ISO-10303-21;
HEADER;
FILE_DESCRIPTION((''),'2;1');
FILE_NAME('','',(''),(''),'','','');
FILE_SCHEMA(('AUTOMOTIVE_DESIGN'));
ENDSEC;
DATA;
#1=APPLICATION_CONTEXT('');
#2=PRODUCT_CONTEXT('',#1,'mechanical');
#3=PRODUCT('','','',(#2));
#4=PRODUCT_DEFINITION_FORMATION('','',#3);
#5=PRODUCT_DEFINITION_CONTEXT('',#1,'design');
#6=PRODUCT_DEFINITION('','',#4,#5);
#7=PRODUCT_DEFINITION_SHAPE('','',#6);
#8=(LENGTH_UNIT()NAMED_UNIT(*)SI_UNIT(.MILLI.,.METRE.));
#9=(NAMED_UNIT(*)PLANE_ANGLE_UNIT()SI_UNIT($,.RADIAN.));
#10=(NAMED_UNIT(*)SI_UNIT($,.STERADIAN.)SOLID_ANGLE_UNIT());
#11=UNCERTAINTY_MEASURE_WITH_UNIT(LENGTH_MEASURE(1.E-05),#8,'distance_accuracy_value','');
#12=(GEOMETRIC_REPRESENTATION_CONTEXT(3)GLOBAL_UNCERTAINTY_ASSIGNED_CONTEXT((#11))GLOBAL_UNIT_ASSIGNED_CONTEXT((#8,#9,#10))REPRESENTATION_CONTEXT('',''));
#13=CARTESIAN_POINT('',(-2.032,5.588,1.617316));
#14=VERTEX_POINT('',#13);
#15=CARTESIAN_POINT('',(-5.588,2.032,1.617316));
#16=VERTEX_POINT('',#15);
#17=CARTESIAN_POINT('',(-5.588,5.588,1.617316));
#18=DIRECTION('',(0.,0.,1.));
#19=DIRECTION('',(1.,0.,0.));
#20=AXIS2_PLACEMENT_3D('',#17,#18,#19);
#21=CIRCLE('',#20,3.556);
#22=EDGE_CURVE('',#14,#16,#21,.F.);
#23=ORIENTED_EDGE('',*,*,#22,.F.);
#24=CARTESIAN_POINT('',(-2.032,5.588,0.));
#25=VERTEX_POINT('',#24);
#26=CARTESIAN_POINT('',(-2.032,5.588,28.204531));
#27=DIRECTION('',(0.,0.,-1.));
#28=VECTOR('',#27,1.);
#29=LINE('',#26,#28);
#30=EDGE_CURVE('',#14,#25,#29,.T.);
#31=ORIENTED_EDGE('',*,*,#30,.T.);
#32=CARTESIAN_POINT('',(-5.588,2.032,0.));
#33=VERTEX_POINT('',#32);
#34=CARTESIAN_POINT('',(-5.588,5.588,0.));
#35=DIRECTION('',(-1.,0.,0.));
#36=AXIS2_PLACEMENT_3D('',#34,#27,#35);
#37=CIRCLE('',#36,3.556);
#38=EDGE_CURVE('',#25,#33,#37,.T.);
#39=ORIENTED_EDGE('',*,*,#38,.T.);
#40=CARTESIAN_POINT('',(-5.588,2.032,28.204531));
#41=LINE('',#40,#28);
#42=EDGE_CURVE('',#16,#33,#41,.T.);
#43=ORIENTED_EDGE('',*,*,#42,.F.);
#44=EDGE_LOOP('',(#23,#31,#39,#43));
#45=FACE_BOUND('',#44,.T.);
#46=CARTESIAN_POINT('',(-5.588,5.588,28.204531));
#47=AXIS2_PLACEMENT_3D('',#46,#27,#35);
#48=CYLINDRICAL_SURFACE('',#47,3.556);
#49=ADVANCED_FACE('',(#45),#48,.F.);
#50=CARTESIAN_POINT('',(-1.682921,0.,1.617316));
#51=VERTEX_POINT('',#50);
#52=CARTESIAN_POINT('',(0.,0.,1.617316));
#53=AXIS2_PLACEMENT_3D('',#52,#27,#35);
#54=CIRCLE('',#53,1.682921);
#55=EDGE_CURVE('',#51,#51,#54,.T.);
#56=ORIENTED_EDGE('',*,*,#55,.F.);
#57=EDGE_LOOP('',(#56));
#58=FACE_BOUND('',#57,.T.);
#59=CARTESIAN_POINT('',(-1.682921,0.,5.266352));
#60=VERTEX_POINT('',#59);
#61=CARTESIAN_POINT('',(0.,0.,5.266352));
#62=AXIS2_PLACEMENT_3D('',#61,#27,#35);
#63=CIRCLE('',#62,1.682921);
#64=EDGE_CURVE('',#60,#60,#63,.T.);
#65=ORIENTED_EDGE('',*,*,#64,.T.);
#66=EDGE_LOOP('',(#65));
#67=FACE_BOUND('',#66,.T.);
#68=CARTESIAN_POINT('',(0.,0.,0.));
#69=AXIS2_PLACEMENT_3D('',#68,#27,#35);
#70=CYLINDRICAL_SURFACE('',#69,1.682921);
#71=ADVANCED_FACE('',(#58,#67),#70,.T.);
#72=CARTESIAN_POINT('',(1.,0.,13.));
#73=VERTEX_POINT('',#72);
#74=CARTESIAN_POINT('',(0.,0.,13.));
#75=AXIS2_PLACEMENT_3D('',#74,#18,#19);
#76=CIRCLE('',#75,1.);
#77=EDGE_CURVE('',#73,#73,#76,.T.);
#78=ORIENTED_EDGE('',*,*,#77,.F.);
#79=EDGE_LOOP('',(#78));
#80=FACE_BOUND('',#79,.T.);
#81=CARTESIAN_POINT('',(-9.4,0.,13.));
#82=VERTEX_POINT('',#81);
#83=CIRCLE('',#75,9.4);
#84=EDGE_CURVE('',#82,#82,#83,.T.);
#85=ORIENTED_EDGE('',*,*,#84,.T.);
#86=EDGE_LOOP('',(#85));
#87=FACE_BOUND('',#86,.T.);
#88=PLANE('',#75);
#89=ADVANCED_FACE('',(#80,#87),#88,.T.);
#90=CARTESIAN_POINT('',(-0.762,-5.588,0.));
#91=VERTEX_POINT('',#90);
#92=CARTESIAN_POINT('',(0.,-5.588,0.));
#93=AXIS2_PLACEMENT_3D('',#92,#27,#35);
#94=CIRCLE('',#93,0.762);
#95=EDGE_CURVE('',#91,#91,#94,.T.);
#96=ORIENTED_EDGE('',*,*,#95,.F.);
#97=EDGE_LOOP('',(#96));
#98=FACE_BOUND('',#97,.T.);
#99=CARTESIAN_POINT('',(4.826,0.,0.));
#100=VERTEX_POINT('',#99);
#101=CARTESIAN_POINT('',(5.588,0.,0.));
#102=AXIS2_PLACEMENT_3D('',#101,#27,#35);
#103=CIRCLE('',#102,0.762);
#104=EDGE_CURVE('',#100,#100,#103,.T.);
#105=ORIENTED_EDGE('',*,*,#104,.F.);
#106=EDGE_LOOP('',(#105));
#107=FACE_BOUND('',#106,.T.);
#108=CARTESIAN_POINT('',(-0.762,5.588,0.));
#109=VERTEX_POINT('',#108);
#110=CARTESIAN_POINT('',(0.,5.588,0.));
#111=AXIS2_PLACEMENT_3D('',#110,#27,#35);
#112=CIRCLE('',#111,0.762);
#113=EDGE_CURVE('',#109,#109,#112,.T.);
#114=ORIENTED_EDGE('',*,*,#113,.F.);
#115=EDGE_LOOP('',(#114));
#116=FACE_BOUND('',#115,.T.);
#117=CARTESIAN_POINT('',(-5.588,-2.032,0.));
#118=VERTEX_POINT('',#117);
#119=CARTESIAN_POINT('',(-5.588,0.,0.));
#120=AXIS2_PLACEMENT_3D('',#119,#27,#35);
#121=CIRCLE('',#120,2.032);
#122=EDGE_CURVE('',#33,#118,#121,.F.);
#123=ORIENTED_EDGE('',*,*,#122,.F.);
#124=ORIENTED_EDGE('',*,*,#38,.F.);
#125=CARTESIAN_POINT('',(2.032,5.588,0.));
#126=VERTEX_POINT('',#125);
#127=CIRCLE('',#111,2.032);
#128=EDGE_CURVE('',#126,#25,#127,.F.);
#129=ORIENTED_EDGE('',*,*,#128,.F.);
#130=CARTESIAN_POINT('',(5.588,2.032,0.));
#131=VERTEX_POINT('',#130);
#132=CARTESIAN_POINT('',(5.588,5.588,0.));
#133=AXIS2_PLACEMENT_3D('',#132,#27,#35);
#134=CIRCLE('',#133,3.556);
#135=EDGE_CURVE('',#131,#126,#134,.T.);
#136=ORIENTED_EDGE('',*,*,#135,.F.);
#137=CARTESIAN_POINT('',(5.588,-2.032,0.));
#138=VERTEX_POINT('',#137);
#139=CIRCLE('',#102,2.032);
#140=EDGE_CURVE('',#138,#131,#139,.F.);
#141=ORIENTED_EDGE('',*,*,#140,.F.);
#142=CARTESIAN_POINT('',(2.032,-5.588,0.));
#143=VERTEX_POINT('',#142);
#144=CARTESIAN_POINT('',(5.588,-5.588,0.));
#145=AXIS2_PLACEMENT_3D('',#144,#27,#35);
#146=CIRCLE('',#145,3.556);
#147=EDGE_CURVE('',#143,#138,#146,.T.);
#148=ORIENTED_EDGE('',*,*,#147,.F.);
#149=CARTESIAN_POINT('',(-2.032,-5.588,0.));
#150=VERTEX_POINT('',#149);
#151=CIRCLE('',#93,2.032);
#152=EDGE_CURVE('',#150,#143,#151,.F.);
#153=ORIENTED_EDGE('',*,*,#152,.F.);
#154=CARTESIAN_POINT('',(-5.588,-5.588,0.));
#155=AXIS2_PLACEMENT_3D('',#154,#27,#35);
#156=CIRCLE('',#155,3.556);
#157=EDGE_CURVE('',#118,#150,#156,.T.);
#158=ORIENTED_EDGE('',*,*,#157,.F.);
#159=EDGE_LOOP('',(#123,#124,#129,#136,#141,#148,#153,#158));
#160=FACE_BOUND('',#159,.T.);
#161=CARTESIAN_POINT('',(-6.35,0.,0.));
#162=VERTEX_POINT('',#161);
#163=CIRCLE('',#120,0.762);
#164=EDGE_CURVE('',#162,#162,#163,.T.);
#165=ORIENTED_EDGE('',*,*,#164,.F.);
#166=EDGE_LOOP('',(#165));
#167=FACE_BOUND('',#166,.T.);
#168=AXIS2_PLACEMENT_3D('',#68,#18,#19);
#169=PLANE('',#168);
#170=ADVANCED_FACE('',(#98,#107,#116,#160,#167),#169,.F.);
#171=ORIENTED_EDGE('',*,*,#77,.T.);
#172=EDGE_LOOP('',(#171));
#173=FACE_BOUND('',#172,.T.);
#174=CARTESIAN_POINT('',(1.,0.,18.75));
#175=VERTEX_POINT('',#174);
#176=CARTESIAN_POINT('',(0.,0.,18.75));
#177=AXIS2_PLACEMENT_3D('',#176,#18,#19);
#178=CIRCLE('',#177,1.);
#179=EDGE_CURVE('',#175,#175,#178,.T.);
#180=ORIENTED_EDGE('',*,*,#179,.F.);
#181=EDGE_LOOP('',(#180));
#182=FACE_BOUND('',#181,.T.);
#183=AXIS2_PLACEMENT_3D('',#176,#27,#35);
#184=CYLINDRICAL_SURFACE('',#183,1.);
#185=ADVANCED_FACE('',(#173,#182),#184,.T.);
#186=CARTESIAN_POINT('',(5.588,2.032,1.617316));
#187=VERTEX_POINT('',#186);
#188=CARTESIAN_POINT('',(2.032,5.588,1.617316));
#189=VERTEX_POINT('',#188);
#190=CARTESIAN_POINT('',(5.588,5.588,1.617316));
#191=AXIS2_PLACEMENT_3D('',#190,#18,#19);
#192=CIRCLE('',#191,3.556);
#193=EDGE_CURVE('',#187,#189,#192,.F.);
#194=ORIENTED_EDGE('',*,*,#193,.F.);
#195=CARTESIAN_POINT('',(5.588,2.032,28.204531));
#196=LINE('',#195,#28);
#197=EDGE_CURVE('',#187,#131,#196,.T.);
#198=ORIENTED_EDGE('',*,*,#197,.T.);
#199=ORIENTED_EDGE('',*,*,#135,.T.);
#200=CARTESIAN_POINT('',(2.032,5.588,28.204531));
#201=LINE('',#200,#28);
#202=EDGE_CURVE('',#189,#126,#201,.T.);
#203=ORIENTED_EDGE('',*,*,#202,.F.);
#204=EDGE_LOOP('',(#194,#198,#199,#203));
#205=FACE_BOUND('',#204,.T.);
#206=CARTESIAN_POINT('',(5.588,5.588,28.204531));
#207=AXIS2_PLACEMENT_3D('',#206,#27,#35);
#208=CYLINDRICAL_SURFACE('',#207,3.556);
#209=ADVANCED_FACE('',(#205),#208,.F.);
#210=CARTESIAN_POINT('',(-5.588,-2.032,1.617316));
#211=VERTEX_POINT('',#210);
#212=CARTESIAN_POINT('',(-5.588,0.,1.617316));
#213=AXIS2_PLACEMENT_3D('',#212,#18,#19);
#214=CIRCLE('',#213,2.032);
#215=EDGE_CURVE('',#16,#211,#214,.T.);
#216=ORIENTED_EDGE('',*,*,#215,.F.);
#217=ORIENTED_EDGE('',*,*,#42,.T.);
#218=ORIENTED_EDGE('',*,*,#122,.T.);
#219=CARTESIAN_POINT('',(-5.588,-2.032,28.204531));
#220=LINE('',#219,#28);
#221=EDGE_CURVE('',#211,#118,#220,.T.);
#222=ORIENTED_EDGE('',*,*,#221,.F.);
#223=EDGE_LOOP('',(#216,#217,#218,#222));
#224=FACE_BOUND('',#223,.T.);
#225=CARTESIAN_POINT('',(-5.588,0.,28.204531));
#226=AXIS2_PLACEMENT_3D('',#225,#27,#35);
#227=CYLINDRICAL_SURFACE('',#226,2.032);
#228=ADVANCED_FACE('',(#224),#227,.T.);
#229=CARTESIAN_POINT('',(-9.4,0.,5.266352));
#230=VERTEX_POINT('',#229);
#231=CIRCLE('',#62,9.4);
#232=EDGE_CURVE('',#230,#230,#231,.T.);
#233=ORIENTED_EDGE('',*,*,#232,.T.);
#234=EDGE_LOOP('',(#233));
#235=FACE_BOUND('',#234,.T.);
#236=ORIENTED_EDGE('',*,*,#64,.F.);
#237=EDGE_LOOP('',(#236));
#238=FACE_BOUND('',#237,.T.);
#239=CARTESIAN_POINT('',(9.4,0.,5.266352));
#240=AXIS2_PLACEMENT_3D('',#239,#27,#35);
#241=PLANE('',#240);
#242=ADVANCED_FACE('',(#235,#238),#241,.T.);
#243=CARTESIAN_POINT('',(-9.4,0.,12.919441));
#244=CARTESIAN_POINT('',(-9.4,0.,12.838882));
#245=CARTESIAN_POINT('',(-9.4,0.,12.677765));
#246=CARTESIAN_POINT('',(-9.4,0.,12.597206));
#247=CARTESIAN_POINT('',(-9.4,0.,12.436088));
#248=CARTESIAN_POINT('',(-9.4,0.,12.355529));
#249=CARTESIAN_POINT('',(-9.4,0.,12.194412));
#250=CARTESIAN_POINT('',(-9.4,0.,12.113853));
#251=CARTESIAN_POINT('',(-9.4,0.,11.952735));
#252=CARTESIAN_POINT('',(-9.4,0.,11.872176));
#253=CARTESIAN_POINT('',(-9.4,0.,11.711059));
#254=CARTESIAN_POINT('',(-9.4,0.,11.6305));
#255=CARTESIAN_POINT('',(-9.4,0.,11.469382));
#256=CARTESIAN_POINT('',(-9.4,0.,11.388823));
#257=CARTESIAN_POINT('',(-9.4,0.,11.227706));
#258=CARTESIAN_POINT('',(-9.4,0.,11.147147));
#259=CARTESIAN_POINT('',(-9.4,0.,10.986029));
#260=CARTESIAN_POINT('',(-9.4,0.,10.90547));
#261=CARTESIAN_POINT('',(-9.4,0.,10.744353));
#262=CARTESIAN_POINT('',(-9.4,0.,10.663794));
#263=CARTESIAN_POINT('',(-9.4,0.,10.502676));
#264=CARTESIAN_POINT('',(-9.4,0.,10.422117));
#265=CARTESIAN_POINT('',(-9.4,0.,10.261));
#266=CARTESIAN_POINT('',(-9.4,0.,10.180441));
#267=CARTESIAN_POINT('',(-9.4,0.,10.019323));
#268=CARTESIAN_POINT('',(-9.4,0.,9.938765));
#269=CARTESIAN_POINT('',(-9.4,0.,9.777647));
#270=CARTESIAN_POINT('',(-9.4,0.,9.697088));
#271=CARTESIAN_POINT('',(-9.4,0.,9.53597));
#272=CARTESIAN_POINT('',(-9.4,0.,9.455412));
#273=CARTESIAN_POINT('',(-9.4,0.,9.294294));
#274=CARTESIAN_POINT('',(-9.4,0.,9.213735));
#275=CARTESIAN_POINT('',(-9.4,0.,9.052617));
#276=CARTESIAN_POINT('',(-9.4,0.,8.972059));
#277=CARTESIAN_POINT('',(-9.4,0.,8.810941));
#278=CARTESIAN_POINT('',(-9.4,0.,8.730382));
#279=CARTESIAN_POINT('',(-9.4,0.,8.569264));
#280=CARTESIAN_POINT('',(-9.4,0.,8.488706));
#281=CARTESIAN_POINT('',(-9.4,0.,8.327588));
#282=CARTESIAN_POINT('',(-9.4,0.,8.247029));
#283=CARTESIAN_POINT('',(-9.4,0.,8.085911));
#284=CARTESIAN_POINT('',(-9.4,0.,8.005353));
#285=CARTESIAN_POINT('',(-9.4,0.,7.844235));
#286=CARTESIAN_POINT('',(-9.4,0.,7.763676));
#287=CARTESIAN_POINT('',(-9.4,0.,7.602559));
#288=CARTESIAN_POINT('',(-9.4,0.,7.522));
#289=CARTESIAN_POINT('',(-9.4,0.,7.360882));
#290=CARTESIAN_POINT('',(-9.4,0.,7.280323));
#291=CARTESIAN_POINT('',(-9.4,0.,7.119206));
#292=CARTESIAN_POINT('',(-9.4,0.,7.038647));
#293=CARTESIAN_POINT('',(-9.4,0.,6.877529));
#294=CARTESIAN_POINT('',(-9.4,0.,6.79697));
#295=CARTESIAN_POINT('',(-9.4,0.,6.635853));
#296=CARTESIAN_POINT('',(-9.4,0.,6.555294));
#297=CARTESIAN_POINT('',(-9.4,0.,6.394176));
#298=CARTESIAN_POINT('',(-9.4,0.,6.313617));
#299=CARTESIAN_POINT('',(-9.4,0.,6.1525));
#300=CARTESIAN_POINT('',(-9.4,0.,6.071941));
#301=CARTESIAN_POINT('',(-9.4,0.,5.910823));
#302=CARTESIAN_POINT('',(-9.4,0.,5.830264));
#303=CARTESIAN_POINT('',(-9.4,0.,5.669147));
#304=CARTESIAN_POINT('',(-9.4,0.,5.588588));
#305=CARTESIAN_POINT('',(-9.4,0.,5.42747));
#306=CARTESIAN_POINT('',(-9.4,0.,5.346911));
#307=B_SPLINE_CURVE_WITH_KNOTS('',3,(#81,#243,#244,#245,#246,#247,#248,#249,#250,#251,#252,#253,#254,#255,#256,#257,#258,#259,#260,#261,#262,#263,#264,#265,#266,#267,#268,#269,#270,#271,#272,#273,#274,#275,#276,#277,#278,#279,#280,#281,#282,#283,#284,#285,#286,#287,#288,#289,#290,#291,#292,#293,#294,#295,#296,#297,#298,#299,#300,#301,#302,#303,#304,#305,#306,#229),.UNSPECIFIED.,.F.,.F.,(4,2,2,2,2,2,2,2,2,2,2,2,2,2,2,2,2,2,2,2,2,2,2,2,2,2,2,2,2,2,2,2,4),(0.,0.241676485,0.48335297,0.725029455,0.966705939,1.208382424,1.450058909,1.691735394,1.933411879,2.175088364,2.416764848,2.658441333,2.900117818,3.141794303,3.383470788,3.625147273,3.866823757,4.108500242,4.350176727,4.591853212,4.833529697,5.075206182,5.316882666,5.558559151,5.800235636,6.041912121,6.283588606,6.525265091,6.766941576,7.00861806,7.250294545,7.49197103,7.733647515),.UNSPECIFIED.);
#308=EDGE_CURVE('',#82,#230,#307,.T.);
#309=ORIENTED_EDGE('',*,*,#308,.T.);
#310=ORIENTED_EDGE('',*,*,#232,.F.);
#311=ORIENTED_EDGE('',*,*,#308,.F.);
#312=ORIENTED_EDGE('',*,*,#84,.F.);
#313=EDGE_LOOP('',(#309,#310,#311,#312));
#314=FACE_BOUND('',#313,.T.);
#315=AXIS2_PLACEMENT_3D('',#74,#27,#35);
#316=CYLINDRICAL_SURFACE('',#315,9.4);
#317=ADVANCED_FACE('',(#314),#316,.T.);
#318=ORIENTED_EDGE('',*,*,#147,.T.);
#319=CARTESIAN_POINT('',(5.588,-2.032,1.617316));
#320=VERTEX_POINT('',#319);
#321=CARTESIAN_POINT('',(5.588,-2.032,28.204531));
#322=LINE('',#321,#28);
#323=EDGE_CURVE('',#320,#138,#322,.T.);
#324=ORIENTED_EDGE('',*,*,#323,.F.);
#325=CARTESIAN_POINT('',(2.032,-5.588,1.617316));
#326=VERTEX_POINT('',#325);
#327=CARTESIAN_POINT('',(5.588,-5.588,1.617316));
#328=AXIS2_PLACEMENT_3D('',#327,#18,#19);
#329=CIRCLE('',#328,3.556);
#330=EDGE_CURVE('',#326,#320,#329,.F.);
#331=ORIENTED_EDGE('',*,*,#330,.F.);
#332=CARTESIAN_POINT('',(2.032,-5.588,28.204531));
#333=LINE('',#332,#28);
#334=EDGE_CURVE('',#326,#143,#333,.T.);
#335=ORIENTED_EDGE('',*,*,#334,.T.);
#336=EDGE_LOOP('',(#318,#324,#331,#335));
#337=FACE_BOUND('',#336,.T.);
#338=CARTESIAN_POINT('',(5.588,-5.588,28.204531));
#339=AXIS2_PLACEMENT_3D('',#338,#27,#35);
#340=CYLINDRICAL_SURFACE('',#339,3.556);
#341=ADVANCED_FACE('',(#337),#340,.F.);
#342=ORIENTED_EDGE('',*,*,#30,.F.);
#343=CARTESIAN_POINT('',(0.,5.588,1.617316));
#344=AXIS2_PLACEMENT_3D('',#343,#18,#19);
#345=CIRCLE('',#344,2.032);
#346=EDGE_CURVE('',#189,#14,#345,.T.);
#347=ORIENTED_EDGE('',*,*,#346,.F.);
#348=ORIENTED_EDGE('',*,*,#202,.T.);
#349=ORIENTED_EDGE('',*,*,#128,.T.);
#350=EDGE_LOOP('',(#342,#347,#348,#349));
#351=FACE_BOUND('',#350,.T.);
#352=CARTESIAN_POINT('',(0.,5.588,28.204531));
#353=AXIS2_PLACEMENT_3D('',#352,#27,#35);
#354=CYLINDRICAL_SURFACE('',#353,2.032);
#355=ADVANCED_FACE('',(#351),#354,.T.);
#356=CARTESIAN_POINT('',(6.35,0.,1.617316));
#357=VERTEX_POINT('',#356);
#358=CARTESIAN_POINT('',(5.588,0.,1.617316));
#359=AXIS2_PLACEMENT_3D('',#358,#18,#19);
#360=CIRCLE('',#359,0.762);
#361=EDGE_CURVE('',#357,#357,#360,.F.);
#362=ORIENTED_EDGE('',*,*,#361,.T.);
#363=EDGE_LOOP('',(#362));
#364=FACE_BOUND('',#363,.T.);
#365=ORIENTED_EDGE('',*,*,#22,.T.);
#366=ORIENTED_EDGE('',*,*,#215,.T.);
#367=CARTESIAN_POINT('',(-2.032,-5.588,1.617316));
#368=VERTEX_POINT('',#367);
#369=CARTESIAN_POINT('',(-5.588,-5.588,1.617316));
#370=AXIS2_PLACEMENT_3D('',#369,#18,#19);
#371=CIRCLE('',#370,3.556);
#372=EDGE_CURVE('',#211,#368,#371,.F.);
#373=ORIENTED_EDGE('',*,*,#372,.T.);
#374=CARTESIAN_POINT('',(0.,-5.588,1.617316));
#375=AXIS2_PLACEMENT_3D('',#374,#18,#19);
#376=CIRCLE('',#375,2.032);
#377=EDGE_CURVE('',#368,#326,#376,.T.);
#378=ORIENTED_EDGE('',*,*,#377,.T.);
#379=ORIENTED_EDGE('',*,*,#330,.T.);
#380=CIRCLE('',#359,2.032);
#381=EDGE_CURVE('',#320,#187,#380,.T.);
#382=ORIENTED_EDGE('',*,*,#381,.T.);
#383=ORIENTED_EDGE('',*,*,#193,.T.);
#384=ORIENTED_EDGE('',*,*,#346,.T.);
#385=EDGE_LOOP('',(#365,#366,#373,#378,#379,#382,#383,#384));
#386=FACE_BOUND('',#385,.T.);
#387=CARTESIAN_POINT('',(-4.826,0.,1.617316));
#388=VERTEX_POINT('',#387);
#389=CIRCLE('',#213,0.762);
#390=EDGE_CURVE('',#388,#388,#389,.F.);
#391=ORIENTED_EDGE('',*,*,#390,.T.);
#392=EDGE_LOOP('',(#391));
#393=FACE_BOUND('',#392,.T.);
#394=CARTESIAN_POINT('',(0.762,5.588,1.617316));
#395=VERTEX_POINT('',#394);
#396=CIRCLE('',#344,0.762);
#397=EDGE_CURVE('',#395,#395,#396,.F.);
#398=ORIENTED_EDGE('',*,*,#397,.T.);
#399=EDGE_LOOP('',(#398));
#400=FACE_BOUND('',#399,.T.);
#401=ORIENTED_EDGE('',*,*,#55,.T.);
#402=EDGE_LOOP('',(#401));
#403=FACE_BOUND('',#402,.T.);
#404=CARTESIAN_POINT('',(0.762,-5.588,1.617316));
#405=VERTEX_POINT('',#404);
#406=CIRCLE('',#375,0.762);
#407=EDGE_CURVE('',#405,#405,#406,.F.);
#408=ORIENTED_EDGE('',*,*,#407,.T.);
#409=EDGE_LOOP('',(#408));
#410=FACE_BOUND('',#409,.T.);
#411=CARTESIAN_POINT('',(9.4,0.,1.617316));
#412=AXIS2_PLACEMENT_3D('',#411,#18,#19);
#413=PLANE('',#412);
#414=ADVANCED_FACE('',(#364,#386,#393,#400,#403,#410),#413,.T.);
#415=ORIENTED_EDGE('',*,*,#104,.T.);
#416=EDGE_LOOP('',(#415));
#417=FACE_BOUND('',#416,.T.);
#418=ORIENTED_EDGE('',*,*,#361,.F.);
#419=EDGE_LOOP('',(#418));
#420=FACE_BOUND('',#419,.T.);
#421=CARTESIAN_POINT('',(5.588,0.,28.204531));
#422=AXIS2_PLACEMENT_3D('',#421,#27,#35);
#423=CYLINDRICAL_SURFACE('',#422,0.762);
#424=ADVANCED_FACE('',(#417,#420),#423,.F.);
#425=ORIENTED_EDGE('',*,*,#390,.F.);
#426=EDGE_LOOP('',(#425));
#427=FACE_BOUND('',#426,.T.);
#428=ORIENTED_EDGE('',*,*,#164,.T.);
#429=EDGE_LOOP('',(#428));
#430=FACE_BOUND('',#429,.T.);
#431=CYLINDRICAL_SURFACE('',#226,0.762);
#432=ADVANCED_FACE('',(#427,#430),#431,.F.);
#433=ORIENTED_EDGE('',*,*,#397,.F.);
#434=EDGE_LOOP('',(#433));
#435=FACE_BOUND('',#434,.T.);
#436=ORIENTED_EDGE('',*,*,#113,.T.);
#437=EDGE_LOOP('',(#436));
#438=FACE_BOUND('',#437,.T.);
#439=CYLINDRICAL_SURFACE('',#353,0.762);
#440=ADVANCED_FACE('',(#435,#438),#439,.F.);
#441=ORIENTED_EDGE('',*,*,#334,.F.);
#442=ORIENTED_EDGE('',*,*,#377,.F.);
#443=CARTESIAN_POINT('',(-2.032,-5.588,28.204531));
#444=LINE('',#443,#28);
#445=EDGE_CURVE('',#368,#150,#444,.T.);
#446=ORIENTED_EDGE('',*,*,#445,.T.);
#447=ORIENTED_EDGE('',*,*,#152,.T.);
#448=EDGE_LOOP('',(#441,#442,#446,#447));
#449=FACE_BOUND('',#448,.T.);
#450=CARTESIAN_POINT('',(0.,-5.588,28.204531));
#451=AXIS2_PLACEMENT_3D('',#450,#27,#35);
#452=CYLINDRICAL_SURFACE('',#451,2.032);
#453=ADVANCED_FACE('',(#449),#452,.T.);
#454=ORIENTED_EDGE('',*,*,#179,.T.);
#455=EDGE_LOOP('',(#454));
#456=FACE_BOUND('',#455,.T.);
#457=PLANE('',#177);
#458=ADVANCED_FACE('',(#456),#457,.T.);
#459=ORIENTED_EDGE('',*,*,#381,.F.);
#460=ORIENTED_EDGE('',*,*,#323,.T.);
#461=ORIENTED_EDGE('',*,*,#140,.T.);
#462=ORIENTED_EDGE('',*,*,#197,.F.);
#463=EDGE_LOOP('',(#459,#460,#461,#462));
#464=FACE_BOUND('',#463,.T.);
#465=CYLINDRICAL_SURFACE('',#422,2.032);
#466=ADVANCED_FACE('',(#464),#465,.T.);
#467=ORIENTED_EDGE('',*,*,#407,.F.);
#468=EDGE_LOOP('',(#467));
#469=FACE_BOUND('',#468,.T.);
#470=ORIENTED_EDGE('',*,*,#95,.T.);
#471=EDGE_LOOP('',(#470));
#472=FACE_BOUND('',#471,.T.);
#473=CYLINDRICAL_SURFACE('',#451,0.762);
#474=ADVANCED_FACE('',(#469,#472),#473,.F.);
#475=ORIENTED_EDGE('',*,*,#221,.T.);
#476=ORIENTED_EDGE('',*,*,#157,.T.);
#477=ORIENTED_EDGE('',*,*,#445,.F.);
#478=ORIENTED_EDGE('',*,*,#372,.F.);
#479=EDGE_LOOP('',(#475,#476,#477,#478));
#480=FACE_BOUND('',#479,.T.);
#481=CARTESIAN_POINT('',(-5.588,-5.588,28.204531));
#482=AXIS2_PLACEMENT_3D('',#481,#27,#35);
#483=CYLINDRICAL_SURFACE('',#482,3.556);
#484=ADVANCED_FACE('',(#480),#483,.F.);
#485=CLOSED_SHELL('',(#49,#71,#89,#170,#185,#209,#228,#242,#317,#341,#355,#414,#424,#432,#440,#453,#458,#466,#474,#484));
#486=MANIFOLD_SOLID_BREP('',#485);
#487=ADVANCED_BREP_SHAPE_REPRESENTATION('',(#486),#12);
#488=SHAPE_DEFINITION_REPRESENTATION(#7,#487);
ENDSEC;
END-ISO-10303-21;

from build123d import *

# Parameters (mm, degrees)
SKETCH1_R           = 9.4
BOSS_EXTRUDE1_DEPTH = 13
SKETCH2_R           = 1
BOSS_EXTRUDE2_DEPTH = 5.75
SKETCH3_W           = 7.717079408
SKETCH3_H           = 3.649036098
SKETCH4_R           = 9.4
SKETCH4_R_2         = 0.762
CUT_EXTRUDE1_DEPTH  = 1.617316387


with BuildPart() as part:
    # Sketch1 → Boss-Extrude1 (new body)
    with BuildSketch(Plane.XY):
        with Locations(Location((0, 0, 0), (0, 0, 180))):
            Circle(SKETCH1_R)
    extrude(amount=BOSS_EXTRUDE1_DEPTH)

    # Sketch2 → Boss-Extrude2 (add)
    with BuildSketch(Plane.XY.offset(13)):
        Circle(SKETCH2_R)
    extrude(amount=BOSS_EXTRUDE2_DEPTH)

    # Sketch3 → Cut-Revolve1 (revolve, cut)
    with BuildSketch(Plane(origin=(0, 0, 0), x_dir=(1, 0, 0), z_dir=(0, 1, 0)), mode=Mode.PRIVATE) as cut_revolve1_sk:
        with Locations((5.541460296, -3.441834436)):
            Rectangle(SKETCH3_W, SKETCH3_H)
    revolve(cut_revolve1_sk.sketch.rotate(Axis((0, 0, 0), (0, 0, 1)), 180), axis=Axis((0, 0, 0), (0, 0, 1)), mode=Mode.SUBTRACT)

    # Sketch4 → Cut-Extrude1 (cut)
    with BuildSketch(Plane(origin=(0, 0, 0), x_dir=(-1, 0, 0), z_dir=(0, 0, -1))):
        Circle(SKETCH4_R)
        with BuildLine():
            ThreePointArc((-2.032, 5.588), (0, 7.62), (2.032, 5.588))
            ThreePointArc((2.032, 5.588), (3.073528286, 3.073528286), (5.588, 2.032))
            ThreePointArc((5.588, 2.032), (7.62, 0), (5.588, -2.032))
            ThreePointArc((5.588, -2.032), (3.073528286, -3.073528286), (2.032, -5.588))
            ThreePointArc((2.032, -5.588), (0, -7.62), (-2.032, -5.588))
            ThreePointArc((-2.032, -5.588), (-3.073528286, -3.073528286), (-5.588, -2.032))
            ThreePointArc((-5.588, -2.032), (-7.62, 0), (-5.588, 2.032))
            ThreePointArc((-5.588, 2.032), (-3.073528286, 3.073528286), (-2.032, 5.588))
        make_face(mode=Mode.SUBTRACT)
        with Locations((0, 5.588)):
            Circle(SKETCH4_R_2)
        with Locations((5.588, 0)):
            Circle(SKETCH4_R_2)
        with Locations((0, -5.588)):
            Circle(SKETCH4_R_2)
        with Locations((-5.588, 0)):
            Circle(SKETCH4_R_2)
    extrude(amount=-CUT_EXTRUDE1_DEPTH, mode=Mode.SUBTRACT)


solid = part.part
